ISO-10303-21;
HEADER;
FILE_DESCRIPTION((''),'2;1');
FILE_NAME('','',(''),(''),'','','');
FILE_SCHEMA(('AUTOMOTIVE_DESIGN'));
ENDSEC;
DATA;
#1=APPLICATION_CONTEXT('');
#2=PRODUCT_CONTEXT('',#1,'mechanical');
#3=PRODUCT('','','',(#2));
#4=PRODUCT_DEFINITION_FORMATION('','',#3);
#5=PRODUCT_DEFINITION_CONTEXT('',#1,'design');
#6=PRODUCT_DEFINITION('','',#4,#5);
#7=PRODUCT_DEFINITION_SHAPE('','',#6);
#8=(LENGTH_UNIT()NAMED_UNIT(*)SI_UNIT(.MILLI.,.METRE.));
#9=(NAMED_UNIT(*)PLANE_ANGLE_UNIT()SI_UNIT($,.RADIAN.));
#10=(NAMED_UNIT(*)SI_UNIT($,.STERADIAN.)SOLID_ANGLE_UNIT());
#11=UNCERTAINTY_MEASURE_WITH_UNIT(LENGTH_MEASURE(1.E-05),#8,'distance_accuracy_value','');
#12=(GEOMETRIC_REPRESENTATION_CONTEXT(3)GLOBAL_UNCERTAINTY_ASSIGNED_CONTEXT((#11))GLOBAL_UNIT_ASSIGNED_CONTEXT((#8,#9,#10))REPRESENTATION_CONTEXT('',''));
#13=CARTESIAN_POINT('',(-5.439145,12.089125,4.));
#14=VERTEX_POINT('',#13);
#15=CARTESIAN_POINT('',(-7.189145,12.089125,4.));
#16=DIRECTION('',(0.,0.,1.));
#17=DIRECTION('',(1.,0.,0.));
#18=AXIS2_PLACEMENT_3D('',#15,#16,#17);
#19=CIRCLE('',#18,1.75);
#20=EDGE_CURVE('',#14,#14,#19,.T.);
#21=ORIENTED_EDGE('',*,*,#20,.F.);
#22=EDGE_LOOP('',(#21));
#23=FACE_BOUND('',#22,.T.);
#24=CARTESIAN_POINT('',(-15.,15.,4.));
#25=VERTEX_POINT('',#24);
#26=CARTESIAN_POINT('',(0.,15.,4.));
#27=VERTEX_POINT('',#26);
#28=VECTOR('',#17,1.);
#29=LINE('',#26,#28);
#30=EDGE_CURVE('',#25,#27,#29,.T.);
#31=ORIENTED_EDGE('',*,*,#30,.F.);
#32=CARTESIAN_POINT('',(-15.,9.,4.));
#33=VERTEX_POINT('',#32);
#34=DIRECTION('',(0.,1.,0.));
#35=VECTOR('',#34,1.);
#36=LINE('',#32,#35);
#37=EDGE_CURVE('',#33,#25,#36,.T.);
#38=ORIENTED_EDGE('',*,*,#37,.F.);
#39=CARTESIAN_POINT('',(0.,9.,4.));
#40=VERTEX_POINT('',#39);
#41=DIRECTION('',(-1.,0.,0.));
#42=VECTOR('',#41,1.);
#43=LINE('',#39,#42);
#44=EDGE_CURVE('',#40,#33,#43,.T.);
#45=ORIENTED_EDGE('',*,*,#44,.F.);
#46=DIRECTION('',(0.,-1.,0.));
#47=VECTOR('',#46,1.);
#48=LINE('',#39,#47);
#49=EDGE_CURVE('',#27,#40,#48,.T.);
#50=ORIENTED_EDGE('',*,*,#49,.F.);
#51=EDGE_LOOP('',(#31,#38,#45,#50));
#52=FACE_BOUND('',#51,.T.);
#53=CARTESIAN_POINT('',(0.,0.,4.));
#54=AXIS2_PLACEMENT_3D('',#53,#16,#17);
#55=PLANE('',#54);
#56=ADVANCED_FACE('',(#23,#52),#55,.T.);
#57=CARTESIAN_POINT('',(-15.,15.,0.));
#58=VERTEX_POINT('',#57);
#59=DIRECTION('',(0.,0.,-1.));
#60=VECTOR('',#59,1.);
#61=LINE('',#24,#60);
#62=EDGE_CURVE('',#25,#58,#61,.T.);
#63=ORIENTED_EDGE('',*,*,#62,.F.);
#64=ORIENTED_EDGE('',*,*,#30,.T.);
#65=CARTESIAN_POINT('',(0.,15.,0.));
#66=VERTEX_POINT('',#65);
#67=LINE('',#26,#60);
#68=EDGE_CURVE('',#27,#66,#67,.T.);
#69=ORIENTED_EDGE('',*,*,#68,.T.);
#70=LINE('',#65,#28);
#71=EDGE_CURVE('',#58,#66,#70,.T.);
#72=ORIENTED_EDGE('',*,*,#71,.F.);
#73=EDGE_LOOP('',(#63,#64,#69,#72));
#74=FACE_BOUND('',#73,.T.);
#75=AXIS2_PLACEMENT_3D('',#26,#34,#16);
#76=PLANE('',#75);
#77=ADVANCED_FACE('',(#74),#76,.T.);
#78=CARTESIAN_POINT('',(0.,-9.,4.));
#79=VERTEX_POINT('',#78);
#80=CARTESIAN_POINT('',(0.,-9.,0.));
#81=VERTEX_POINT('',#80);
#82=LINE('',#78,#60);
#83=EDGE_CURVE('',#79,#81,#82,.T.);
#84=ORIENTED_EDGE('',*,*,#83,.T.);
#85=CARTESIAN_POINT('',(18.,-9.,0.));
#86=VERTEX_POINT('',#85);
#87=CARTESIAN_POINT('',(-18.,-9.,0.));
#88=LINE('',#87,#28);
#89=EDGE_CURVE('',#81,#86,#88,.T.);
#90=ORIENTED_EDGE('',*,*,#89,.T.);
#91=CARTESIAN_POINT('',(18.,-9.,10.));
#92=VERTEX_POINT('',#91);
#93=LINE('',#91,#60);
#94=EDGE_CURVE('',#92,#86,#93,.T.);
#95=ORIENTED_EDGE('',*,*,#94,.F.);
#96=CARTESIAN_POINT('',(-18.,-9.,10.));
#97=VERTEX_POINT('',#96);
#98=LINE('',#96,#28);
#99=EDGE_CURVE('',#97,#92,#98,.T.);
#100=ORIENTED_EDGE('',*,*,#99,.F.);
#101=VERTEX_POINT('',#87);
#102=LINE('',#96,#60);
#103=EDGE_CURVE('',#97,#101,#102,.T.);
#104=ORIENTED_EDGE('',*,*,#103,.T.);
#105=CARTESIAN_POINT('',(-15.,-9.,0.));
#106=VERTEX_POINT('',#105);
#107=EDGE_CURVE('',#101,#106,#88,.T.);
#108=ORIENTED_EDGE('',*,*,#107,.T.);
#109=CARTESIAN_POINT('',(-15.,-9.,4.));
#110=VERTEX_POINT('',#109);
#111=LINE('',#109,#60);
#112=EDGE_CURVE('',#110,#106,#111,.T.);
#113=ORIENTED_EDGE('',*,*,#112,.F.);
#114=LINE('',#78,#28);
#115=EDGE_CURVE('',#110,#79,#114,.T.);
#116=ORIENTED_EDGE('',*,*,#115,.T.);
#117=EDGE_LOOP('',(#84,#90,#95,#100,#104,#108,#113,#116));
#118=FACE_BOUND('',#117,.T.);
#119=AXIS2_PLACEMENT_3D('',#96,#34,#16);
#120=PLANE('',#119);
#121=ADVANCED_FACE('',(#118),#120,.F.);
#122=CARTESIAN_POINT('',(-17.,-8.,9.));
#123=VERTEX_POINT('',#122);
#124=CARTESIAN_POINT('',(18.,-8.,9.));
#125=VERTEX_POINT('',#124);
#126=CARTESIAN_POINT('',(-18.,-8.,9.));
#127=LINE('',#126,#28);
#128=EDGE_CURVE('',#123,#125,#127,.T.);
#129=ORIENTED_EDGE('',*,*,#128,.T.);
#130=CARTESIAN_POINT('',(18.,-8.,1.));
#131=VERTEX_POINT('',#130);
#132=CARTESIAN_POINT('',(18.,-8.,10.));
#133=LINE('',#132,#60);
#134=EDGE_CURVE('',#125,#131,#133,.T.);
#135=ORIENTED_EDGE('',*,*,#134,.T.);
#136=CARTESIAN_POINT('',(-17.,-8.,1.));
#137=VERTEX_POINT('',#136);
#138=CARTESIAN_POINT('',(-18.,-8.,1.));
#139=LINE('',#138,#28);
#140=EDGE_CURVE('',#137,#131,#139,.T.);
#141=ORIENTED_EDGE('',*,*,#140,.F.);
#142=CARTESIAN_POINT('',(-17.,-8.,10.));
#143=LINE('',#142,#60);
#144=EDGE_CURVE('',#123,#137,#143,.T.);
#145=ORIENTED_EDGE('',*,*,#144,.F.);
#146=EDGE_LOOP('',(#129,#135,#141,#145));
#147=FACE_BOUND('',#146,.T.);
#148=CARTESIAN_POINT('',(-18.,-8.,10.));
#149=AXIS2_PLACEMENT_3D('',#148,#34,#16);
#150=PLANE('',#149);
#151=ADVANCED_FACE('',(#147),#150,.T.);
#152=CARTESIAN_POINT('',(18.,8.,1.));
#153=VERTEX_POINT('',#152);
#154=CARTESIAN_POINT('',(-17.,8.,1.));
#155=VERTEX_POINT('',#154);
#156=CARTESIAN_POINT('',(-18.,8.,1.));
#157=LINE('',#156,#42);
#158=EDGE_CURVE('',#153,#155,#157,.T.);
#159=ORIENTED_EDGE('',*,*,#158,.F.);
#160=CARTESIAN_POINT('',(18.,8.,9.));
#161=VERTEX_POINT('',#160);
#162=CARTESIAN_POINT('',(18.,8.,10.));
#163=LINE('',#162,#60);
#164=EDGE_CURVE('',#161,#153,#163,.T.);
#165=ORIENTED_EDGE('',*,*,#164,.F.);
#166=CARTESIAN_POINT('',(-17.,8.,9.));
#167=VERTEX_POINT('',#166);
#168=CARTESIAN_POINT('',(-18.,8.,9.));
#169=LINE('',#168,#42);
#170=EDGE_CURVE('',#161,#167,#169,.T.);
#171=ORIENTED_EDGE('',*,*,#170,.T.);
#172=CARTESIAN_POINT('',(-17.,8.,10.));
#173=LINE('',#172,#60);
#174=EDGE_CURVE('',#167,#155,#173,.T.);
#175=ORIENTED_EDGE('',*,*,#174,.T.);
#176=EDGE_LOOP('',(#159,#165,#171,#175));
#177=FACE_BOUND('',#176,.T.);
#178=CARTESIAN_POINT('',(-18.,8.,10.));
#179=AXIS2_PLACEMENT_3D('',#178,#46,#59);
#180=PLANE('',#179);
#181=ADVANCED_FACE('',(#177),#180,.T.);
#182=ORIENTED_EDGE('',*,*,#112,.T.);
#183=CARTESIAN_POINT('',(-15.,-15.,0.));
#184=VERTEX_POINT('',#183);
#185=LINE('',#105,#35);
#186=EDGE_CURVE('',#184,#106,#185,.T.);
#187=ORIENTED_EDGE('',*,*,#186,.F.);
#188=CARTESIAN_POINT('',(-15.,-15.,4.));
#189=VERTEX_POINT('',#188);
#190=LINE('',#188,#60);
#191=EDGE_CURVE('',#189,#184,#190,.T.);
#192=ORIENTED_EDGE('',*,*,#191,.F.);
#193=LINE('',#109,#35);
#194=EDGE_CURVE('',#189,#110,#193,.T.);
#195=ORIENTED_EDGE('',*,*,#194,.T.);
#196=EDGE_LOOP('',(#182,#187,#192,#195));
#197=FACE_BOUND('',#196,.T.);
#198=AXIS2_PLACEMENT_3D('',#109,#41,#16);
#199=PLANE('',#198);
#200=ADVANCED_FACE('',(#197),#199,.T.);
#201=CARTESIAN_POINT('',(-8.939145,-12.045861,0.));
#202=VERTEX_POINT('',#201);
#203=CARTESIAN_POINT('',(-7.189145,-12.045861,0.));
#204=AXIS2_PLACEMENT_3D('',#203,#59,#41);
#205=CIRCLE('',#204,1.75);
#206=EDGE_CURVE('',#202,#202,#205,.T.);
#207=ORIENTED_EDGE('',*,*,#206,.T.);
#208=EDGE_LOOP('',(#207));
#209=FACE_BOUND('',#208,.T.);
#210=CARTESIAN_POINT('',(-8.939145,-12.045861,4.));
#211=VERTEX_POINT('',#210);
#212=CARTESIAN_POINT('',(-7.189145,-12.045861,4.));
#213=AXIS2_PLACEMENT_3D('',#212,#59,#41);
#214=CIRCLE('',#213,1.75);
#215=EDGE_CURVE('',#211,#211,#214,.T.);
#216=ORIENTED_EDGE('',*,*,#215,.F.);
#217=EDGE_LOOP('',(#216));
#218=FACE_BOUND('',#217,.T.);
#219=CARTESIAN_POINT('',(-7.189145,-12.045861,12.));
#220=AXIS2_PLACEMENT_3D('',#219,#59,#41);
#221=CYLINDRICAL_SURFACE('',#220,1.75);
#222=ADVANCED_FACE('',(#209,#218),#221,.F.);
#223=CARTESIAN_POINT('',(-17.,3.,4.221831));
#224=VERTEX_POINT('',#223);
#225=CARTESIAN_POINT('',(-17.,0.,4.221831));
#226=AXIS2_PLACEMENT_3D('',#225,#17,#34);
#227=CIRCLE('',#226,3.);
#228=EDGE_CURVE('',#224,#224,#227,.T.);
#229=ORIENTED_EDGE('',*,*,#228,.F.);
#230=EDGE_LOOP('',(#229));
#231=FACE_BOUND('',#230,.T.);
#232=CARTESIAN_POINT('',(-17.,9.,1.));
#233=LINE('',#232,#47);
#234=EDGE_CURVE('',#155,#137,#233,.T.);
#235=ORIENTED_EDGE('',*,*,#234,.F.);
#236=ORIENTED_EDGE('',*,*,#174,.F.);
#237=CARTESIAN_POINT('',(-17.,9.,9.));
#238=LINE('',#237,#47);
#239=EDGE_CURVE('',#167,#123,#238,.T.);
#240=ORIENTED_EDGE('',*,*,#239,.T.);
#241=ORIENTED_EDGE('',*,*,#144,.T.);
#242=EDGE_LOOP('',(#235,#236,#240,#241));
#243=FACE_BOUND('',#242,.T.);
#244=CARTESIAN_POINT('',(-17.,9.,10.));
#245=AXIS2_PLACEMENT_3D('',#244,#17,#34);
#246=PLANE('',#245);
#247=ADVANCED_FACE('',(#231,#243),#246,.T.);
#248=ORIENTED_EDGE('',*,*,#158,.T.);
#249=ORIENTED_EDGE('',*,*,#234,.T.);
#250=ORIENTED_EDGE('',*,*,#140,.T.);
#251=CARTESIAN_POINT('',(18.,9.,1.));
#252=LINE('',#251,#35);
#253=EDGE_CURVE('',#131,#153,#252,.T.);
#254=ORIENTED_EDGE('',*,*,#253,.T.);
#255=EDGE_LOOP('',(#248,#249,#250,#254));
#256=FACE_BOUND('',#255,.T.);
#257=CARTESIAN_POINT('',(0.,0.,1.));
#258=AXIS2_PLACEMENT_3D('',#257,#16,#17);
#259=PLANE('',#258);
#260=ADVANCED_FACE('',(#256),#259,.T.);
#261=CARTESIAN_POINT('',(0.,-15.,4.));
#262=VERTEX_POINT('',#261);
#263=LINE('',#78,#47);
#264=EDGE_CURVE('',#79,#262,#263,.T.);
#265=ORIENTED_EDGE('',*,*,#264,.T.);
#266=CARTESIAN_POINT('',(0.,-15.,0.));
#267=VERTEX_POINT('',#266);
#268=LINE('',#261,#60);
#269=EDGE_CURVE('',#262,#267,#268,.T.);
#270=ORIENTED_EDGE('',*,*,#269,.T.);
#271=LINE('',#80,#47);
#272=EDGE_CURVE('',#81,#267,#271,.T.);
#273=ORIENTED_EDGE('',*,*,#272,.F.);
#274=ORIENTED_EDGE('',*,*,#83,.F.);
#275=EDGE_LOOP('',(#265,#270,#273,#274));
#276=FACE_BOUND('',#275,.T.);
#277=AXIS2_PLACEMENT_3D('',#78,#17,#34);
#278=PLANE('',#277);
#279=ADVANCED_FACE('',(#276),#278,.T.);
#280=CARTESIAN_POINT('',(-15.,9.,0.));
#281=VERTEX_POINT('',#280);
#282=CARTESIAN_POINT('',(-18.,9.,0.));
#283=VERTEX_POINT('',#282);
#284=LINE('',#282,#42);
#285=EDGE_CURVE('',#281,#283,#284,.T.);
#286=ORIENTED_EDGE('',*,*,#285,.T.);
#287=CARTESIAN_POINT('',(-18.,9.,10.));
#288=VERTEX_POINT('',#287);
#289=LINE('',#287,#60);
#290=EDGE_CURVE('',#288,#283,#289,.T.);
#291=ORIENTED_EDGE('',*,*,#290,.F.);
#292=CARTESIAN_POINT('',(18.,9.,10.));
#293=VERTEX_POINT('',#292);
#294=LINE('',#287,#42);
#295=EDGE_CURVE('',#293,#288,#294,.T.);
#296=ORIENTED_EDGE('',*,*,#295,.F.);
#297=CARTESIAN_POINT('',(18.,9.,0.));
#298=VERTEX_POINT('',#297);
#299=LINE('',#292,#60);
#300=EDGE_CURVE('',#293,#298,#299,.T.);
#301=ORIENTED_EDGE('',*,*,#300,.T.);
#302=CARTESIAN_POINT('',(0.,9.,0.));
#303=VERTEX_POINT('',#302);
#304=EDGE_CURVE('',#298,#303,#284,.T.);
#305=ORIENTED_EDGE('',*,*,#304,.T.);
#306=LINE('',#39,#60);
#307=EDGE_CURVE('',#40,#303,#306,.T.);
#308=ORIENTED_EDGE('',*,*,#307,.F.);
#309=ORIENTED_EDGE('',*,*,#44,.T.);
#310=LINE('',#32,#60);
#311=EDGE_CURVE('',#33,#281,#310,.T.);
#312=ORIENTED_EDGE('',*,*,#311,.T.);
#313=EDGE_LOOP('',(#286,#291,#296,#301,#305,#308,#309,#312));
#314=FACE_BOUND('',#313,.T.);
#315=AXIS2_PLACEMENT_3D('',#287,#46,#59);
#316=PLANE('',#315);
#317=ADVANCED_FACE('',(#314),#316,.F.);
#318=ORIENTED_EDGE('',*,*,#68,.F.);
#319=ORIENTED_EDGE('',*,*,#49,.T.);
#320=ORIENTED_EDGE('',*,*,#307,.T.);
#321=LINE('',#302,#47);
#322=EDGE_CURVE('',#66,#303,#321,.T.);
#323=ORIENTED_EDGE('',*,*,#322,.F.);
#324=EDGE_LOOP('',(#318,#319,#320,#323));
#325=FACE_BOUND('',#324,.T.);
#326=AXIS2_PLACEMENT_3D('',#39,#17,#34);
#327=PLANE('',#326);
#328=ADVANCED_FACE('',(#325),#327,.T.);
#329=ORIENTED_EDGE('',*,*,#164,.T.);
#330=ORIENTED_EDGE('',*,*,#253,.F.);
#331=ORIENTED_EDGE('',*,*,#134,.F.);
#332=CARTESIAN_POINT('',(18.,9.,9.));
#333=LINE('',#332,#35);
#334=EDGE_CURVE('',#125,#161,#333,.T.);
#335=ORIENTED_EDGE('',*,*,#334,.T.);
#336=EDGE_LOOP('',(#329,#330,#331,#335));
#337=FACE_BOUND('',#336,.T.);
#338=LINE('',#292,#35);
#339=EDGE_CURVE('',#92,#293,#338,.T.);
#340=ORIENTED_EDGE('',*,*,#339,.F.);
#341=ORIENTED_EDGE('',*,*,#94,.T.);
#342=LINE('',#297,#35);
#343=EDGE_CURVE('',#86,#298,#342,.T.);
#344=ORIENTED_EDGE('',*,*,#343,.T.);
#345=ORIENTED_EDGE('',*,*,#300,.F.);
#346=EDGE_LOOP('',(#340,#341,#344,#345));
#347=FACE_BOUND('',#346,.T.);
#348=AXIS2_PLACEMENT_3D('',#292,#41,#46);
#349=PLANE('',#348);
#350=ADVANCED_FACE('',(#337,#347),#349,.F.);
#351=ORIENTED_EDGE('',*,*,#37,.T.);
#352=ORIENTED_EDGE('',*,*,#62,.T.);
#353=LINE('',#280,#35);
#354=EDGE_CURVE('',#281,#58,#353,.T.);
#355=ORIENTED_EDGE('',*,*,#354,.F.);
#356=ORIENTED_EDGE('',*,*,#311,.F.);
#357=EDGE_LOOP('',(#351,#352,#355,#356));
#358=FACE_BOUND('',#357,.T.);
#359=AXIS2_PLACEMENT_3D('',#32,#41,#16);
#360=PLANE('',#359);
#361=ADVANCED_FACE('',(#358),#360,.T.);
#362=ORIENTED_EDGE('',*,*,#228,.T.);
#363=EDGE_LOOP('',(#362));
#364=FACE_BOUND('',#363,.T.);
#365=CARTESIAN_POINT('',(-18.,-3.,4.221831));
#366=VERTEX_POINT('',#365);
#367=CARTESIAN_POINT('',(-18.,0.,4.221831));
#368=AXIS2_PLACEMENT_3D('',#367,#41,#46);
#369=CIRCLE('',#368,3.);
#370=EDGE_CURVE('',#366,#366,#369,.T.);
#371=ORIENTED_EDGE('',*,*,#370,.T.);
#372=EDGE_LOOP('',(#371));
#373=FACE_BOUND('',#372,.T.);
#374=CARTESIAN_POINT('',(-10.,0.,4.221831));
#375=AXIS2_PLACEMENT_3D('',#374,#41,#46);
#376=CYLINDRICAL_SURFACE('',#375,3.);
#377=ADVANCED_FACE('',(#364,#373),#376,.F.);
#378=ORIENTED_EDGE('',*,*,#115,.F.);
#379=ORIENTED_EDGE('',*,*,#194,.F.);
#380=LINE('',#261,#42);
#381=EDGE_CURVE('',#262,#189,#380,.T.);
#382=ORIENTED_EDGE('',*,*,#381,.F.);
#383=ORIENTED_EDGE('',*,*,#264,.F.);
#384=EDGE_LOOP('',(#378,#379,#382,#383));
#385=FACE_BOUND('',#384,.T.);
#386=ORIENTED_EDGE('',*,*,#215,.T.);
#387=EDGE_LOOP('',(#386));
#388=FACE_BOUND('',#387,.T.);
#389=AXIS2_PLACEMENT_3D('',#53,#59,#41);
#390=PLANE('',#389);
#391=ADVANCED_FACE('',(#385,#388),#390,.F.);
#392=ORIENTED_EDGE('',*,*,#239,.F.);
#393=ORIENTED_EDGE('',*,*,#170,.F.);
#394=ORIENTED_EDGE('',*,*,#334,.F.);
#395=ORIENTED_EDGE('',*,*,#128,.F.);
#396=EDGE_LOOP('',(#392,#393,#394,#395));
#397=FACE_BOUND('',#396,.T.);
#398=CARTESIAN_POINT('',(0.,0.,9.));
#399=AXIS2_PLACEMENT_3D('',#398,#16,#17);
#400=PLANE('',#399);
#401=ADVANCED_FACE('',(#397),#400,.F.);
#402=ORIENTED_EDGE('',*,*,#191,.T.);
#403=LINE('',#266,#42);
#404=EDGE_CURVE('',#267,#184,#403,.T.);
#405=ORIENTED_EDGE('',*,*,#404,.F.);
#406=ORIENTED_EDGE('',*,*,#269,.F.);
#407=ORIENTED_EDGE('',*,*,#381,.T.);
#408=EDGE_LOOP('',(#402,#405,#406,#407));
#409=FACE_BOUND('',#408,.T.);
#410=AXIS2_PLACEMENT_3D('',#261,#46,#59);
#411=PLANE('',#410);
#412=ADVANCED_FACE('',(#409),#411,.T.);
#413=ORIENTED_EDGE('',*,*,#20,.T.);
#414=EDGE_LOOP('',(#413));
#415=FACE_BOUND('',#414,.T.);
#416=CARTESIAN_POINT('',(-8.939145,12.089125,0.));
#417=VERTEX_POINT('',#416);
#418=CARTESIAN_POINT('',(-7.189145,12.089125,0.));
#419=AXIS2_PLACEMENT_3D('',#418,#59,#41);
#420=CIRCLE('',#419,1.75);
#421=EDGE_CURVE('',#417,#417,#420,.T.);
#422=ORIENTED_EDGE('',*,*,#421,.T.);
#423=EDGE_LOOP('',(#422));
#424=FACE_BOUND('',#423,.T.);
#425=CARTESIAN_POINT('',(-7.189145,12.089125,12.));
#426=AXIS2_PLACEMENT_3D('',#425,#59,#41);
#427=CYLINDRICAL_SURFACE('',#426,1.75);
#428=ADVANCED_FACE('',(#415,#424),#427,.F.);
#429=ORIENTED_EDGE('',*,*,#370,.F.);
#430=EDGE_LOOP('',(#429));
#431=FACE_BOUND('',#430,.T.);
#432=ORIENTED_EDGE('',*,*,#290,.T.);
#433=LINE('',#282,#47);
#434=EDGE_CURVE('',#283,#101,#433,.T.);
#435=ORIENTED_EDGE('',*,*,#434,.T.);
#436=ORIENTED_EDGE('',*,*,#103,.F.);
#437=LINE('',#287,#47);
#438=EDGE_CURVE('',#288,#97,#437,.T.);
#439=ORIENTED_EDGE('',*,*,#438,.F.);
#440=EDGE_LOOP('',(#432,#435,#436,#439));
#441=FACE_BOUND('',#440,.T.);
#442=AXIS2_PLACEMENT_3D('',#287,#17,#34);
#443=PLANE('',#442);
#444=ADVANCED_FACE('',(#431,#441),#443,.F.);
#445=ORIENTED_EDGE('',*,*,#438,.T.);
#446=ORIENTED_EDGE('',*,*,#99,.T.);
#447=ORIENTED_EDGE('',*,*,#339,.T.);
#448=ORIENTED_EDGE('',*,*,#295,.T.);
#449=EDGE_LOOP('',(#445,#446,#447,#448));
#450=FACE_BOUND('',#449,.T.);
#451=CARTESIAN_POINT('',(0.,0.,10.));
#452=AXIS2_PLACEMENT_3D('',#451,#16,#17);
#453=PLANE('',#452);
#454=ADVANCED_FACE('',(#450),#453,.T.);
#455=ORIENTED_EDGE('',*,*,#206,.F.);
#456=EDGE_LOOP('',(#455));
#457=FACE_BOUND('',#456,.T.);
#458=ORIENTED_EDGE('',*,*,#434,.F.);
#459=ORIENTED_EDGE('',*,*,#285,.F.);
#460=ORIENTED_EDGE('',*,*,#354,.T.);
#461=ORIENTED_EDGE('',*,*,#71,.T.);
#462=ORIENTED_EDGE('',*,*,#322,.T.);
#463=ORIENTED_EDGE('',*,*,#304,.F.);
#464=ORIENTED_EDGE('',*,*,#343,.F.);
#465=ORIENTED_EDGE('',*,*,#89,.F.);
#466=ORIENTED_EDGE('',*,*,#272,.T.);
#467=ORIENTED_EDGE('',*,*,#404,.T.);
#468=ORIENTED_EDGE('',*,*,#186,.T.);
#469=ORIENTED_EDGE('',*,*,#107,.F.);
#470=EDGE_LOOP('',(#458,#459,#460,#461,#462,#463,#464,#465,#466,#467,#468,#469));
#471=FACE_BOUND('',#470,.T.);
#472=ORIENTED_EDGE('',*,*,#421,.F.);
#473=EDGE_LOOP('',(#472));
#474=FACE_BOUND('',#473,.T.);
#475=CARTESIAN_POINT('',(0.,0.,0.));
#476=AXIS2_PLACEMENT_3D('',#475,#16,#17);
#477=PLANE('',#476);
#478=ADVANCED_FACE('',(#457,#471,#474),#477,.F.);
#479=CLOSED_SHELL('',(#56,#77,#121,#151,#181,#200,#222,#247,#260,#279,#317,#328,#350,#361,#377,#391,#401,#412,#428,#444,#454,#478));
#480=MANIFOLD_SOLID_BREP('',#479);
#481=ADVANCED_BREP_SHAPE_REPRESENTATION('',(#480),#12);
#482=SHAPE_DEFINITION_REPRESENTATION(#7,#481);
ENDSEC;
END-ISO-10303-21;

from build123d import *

# Parameters (mm, degrees)
SKETCH1_W           = 36
SKETCH1_H           = 18
BOSS_EXTRUDE1_DEPTH = 10
SHELL1_T            = -1
SKETCH2_R           = 3
CUT_EXTRUDE1_DEPTH  = 8
SKETCH3_W           = 15
SKETCH3_H           = 6
BOSS_EXTRUDE2_DEPTH = 4
SKETCH4_R           = 1.75
CUT_EXTRUDE2_DEPTH  = 12


with BuildPart() as part:
    # Sketch1 → Boss-Extrude1 (new body)
    with BuildSketch(Plane.XY):
        Rectangle(SKETCH1_W, SKETCH1_H)
    extrude(amount=BOSS_EXTRUDE1_DEPTH)

    # Shell1
    shell1_openings = [part.faces().sort_by_distance(p)[0] for p in [
        (18, 0, 5),
    ]]
    offset(amount=SHELL1_T, openings=shell1_openings, kind=Kind.INTERSECTION)

    # Sketch2 → Cut-Extrude1 (cut)
    with BuildSketch(Plane.ZY.offset(18)):
        with Locations(Location((4.221831089, 0, 0), (0, 0, 270))):
            Circle(SKETCH2_R)
    extrude(amount=-CUT_EXTRUDE1_DEPTH, mode=Mode.SUBTRACT)

    # Sketch3 → Boss-Extrude2 (add)
    with BuildSketch(Plane(origin=(0, 0, 0), x_dir=(-1, 0, 0), z_dir=(0, 0, -1))):
        with Locations((7.5, 12)):
            Rectangle(SKETCH3_W, SKETCH3_H)
        with Locations((7.5, -12)):
            Rectangle(SKETCH3_W, SKETCH3_H)
    extrude(amount=-BOSS_EXTRUDE2_DEPTH)

    # Sketch4 → Cut-Extrude2 (cut)
    with BuildSketch(Plane(origin=(0, 0, 0), x_dir=(-1, 0, 0), z_dir=(0, 0, -1))):
        with Locations((7.189144768, 12.089124741)):
            Circle(SKETCH4_R)
        with Locations((7.189144768, -12.045861265)):
            Circle(SKETCH4_R)
    extrude(amount=-CUT_EXTRUDE2_DEPTH, mode=Mode.SUBTRACT)


solid = part.part
